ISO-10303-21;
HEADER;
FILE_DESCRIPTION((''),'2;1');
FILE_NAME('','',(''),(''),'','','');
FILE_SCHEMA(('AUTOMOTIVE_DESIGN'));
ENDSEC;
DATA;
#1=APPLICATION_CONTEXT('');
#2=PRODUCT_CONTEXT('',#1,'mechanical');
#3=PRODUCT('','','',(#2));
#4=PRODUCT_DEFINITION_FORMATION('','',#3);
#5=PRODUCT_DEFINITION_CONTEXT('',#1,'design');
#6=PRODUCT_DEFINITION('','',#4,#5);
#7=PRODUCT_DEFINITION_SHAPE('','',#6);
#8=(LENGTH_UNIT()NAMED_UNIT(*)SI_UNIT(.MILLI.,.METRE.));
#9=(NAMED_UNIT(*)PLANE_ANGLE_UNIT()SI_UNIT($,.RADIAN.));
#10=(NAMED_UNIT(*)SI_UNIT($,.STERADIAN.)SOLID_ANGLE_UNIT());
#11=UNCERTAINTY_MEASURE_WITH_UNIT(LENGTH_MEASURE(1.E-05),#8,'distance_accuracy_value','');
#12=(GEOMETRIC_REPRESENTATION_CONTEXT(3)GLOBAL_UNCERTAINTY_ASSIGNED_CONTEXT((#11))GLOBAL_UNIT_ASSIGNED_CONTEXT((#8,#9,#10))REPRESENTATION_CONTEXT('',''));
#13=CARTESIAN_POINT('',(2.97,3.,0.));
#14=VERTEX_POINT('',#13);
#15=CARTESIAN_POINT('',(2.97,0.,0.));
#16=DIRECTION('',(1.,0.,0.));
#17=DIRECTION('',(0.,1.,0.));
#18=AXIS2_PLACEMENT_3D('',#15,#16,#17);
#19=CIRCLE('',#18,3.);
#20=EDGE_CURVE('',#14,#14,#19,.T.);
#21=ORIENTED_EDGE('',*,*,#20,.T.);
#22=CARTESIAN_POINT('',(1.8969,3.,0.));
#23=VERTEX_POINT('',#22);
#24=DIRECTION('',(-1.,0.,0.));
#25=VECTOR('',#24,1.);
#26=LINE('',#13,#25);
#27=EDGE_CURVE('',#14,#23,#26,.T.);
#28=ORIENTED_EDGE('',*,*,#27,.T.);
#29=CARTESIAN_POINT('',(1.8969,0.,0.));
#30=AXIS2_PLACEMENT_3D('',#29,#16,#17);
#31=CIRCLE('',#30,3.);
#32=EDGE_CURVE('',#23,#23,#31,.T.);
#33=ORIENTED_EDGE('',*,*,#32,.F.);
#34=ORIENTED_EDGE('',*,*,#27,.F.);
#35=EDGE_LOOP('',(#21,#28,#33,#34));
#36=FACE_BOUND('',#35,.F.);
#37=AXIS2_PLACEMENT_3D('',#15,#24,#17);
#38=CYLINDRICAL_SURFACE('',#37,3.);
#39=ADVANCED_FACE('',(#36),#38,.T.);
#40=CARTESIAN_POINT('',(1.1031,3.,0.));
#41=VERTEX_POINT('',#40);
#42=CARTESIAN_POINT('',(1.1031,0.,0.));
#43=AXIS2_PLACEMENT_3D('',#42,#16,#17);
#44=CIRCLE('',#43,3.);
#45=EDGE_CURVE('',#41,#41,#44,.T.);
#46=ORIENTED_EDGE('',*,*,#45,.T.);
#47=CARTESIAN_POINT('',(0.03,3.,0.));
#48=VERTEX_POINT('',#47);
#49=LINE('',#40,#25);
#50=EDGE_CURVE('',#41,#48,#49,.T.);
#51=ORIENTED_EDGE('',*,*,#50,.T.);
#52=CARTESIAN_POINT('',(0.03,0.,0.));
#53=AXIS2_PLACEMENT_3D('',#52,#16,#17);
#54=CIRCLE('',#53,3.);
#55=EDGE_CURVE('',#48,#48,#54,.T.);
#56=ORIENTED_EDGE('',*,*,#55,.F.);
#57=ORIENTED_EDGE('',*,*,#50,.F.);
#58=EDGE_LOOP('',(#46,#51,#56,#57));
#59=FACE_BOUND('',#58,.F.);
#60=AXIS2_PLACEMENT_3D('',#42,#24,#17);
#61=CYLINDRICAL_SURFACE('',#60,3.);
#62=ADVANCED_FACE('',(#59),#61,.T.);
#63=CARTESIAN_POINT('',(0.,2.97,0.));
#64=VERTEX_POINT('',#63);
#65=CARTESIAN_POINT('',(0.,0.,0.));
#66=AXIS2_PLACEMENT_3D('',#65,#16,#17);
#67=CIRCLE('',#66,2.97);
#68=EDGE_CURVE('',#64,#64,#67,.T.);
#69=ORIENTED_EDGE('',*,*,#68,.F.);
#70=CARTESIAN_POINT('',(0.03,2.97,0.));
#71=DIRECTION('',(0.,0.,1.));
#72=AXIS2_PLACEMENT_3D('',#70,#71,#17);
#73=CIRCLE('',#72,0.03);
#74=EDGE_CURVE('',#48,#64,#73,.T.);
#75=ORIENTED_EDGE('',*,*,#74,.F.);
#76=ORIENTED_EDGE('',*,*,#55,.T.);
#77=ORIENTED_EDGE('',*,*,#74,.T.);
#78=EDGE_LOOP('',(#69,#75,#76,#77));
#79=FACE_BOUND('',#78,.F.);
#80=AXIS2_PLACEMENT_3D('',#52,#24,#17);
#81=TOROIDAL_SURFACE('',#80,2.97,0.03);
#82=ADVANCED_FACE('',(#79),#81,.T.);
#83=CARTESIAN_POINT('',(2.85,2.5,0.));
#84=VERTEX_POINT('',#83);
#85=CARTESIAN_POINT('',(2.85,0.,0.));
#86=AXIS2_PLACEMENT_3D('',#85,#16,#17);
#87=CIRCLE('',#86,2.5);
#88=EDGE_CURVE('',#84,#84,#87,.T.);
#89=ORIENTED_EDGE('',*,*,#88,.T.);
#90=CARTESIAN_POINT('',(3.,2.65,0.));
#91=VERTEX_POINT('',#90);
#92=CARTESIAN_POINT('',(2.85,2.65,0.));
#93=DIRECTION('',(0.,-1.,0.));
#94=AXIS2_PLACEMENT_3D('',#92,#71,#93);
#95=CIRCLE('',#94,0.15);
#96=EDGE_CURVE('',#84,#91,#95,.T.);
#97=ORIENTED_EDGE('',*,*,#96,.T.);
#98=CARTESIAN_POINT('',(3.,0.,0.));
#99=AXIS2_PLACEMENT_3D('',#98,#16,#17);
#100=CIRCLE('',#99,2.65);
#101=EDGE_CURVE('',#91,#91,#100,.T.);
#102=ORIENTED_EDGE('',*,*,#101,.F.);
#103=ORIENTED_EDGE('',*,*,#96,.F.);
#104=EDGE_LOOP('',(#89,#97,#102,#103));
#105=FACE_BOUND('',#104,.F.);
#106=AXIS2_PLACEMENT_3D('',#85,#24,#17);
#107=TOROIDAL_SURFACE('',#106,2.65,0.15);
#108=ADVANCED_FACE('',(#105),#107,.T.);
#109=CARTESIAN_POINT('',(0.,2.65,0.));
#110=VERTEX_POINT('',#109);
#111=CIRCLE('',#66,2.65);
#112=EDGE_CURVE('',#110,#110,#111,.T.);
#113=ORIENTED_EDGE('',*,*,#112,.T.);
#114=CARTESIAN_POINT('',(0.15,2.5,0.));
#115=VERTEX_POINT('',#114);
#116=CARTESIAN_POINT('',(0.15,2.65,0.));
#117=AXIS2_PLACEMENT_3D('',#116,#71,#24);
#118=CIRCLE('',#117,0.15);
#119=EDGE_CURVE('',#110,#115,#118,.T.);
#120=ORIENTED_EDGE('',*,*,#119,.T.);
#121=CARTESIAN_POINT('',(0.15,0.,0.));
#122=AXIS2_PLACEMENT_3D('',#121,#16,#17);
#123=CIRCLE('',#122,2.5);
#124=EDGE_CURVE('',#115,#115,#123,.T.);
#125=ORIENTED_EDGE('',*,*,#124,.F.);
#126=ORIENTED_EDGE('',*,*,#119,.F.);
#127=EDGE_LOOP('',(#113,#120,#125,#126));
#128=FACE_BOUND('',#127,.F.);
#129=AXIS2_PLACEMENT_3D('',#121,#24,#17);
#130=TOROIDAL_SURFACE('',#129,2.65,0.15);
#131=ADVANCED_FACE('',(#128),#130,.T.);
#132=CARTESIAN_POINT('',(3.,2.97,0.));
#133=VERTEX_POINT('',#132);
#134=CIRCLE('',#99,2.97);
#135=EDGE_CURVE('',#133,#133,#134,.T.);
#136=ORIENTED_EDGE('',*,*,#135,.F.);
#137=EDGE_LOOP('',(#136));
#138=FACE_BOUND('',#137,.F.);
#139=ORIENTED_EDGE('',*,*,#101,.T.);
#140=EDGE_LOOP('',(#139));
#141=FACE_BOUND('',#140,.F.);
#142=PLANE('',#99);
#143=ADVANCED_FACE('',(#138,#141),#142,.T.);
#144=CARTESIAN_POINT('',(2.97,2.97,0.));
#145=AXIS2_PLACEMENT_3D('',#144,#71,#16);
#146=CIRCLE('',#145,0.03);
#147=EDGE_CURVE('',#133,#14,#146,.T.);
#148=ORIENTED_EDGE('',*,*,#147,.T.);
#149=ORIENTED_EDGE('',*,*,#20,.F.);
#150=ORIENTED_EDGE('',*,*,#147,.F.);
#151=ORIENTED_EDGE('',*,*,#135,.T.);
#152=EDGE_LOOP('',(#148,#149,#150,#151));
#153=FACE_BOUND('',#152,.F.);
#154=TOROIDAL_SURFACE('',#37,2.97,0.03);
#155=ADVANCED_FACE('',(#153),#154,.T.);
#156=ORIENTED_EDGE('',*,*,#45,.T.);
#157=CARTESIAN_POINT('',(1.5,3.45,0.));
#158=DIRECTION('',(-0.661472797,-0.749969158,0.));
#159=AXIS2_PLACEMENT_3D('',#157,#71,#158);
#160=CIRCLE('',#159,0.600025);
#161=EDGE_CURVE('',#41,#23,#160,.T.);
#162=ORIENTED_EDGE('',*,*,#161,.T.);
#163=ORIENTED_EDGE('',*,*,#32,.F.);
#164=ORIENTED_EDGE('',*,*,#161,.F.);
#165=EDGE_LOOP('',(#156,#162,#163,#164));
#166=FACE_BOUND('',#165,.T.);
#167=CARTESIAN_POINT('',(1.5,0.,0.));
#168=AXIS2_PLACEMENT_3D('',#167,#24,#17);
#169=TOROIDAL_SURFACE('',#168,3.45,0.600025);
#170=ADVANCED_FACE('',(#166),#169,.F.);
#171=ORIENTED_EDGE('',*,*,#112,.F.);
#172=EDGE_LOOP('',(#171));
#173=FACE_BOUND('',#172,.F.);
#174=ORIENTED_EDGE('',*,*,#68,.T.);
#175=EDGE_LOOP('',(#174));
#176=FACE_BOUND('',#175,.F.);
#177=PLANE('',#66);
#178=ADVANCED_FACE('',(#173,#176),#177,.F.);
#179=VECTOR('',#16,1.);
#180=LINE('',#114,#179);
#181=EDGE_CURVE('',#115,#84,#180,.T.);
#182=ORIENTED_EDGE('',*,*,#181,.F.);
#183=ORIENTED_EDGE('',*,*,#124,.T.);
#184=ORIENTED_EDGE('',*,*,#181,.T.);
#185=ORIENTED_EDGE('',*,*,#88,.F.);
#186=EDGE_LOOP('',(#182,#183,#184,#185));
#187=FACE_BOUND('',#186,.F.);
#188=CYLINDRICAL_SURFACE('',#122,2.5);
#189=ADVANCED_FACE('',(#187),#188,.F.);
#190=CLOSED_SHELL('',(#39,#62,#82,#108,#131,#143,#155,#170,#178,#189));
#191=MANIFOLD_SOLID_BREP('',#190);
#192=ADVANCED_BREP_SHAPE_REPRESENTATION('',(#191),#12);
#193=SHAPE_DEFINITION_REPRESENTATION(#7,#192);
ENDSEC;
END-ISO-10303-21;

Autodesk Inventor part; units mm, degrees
sketch "Sketch_10" plane through (0, 0, 0) normal (0, 0, 1) x (1, 0, 0)
  line L0 (50, 0) -> (-50, 0)
  line L1 (0, 2.97) -> (0, 2.65)
  arc A0 (0, 2.65) -> (0.15, 2.5) centre (0.15, 2.65) ccw
  line L2 (0.15, 2.5) -> (2.85, 2.5)
  arc A1 (2.85, 2.5) -> (3, 2.65) centre (2.85, 2.65) ccw
  line L3 (3, 2.65) -> (3, 2.97)
  arc A2 (3, 2.97) -> (2.97, 3) centre (2.97, 2.97) ccw
  line L4 (2.97, 3) -> (1.8969, 3)
  arc A3 (1.1031, 3) -> (1.8969, 3) centre (1.5, 3.45) ccw
  line L5 (1.1031, 3) -> (0.03, 3)
  arc A4 (0.03, 3) -> (0, 2.97) centre (0.03, 2.97) ccw
revolve "Revolution1" add sketch "Sketch_10" angle 360 about axis through (50, 0, 0) along (1, 0, 0)
ref_plane "ir_XY" through (0, 0, 0) normal (0, 0, 1) x (1, 0, 0)
ref_plane "ir_YZ" through (0, 0, 0) normal (1, 0, 0) x (0, 1, 0)
ref_plane "ir_ZX" through (0, 0, 0) normal (0, 1, 0) x (0, 0, 1)
properties part number "SKF_WBB1-8705_ir"
